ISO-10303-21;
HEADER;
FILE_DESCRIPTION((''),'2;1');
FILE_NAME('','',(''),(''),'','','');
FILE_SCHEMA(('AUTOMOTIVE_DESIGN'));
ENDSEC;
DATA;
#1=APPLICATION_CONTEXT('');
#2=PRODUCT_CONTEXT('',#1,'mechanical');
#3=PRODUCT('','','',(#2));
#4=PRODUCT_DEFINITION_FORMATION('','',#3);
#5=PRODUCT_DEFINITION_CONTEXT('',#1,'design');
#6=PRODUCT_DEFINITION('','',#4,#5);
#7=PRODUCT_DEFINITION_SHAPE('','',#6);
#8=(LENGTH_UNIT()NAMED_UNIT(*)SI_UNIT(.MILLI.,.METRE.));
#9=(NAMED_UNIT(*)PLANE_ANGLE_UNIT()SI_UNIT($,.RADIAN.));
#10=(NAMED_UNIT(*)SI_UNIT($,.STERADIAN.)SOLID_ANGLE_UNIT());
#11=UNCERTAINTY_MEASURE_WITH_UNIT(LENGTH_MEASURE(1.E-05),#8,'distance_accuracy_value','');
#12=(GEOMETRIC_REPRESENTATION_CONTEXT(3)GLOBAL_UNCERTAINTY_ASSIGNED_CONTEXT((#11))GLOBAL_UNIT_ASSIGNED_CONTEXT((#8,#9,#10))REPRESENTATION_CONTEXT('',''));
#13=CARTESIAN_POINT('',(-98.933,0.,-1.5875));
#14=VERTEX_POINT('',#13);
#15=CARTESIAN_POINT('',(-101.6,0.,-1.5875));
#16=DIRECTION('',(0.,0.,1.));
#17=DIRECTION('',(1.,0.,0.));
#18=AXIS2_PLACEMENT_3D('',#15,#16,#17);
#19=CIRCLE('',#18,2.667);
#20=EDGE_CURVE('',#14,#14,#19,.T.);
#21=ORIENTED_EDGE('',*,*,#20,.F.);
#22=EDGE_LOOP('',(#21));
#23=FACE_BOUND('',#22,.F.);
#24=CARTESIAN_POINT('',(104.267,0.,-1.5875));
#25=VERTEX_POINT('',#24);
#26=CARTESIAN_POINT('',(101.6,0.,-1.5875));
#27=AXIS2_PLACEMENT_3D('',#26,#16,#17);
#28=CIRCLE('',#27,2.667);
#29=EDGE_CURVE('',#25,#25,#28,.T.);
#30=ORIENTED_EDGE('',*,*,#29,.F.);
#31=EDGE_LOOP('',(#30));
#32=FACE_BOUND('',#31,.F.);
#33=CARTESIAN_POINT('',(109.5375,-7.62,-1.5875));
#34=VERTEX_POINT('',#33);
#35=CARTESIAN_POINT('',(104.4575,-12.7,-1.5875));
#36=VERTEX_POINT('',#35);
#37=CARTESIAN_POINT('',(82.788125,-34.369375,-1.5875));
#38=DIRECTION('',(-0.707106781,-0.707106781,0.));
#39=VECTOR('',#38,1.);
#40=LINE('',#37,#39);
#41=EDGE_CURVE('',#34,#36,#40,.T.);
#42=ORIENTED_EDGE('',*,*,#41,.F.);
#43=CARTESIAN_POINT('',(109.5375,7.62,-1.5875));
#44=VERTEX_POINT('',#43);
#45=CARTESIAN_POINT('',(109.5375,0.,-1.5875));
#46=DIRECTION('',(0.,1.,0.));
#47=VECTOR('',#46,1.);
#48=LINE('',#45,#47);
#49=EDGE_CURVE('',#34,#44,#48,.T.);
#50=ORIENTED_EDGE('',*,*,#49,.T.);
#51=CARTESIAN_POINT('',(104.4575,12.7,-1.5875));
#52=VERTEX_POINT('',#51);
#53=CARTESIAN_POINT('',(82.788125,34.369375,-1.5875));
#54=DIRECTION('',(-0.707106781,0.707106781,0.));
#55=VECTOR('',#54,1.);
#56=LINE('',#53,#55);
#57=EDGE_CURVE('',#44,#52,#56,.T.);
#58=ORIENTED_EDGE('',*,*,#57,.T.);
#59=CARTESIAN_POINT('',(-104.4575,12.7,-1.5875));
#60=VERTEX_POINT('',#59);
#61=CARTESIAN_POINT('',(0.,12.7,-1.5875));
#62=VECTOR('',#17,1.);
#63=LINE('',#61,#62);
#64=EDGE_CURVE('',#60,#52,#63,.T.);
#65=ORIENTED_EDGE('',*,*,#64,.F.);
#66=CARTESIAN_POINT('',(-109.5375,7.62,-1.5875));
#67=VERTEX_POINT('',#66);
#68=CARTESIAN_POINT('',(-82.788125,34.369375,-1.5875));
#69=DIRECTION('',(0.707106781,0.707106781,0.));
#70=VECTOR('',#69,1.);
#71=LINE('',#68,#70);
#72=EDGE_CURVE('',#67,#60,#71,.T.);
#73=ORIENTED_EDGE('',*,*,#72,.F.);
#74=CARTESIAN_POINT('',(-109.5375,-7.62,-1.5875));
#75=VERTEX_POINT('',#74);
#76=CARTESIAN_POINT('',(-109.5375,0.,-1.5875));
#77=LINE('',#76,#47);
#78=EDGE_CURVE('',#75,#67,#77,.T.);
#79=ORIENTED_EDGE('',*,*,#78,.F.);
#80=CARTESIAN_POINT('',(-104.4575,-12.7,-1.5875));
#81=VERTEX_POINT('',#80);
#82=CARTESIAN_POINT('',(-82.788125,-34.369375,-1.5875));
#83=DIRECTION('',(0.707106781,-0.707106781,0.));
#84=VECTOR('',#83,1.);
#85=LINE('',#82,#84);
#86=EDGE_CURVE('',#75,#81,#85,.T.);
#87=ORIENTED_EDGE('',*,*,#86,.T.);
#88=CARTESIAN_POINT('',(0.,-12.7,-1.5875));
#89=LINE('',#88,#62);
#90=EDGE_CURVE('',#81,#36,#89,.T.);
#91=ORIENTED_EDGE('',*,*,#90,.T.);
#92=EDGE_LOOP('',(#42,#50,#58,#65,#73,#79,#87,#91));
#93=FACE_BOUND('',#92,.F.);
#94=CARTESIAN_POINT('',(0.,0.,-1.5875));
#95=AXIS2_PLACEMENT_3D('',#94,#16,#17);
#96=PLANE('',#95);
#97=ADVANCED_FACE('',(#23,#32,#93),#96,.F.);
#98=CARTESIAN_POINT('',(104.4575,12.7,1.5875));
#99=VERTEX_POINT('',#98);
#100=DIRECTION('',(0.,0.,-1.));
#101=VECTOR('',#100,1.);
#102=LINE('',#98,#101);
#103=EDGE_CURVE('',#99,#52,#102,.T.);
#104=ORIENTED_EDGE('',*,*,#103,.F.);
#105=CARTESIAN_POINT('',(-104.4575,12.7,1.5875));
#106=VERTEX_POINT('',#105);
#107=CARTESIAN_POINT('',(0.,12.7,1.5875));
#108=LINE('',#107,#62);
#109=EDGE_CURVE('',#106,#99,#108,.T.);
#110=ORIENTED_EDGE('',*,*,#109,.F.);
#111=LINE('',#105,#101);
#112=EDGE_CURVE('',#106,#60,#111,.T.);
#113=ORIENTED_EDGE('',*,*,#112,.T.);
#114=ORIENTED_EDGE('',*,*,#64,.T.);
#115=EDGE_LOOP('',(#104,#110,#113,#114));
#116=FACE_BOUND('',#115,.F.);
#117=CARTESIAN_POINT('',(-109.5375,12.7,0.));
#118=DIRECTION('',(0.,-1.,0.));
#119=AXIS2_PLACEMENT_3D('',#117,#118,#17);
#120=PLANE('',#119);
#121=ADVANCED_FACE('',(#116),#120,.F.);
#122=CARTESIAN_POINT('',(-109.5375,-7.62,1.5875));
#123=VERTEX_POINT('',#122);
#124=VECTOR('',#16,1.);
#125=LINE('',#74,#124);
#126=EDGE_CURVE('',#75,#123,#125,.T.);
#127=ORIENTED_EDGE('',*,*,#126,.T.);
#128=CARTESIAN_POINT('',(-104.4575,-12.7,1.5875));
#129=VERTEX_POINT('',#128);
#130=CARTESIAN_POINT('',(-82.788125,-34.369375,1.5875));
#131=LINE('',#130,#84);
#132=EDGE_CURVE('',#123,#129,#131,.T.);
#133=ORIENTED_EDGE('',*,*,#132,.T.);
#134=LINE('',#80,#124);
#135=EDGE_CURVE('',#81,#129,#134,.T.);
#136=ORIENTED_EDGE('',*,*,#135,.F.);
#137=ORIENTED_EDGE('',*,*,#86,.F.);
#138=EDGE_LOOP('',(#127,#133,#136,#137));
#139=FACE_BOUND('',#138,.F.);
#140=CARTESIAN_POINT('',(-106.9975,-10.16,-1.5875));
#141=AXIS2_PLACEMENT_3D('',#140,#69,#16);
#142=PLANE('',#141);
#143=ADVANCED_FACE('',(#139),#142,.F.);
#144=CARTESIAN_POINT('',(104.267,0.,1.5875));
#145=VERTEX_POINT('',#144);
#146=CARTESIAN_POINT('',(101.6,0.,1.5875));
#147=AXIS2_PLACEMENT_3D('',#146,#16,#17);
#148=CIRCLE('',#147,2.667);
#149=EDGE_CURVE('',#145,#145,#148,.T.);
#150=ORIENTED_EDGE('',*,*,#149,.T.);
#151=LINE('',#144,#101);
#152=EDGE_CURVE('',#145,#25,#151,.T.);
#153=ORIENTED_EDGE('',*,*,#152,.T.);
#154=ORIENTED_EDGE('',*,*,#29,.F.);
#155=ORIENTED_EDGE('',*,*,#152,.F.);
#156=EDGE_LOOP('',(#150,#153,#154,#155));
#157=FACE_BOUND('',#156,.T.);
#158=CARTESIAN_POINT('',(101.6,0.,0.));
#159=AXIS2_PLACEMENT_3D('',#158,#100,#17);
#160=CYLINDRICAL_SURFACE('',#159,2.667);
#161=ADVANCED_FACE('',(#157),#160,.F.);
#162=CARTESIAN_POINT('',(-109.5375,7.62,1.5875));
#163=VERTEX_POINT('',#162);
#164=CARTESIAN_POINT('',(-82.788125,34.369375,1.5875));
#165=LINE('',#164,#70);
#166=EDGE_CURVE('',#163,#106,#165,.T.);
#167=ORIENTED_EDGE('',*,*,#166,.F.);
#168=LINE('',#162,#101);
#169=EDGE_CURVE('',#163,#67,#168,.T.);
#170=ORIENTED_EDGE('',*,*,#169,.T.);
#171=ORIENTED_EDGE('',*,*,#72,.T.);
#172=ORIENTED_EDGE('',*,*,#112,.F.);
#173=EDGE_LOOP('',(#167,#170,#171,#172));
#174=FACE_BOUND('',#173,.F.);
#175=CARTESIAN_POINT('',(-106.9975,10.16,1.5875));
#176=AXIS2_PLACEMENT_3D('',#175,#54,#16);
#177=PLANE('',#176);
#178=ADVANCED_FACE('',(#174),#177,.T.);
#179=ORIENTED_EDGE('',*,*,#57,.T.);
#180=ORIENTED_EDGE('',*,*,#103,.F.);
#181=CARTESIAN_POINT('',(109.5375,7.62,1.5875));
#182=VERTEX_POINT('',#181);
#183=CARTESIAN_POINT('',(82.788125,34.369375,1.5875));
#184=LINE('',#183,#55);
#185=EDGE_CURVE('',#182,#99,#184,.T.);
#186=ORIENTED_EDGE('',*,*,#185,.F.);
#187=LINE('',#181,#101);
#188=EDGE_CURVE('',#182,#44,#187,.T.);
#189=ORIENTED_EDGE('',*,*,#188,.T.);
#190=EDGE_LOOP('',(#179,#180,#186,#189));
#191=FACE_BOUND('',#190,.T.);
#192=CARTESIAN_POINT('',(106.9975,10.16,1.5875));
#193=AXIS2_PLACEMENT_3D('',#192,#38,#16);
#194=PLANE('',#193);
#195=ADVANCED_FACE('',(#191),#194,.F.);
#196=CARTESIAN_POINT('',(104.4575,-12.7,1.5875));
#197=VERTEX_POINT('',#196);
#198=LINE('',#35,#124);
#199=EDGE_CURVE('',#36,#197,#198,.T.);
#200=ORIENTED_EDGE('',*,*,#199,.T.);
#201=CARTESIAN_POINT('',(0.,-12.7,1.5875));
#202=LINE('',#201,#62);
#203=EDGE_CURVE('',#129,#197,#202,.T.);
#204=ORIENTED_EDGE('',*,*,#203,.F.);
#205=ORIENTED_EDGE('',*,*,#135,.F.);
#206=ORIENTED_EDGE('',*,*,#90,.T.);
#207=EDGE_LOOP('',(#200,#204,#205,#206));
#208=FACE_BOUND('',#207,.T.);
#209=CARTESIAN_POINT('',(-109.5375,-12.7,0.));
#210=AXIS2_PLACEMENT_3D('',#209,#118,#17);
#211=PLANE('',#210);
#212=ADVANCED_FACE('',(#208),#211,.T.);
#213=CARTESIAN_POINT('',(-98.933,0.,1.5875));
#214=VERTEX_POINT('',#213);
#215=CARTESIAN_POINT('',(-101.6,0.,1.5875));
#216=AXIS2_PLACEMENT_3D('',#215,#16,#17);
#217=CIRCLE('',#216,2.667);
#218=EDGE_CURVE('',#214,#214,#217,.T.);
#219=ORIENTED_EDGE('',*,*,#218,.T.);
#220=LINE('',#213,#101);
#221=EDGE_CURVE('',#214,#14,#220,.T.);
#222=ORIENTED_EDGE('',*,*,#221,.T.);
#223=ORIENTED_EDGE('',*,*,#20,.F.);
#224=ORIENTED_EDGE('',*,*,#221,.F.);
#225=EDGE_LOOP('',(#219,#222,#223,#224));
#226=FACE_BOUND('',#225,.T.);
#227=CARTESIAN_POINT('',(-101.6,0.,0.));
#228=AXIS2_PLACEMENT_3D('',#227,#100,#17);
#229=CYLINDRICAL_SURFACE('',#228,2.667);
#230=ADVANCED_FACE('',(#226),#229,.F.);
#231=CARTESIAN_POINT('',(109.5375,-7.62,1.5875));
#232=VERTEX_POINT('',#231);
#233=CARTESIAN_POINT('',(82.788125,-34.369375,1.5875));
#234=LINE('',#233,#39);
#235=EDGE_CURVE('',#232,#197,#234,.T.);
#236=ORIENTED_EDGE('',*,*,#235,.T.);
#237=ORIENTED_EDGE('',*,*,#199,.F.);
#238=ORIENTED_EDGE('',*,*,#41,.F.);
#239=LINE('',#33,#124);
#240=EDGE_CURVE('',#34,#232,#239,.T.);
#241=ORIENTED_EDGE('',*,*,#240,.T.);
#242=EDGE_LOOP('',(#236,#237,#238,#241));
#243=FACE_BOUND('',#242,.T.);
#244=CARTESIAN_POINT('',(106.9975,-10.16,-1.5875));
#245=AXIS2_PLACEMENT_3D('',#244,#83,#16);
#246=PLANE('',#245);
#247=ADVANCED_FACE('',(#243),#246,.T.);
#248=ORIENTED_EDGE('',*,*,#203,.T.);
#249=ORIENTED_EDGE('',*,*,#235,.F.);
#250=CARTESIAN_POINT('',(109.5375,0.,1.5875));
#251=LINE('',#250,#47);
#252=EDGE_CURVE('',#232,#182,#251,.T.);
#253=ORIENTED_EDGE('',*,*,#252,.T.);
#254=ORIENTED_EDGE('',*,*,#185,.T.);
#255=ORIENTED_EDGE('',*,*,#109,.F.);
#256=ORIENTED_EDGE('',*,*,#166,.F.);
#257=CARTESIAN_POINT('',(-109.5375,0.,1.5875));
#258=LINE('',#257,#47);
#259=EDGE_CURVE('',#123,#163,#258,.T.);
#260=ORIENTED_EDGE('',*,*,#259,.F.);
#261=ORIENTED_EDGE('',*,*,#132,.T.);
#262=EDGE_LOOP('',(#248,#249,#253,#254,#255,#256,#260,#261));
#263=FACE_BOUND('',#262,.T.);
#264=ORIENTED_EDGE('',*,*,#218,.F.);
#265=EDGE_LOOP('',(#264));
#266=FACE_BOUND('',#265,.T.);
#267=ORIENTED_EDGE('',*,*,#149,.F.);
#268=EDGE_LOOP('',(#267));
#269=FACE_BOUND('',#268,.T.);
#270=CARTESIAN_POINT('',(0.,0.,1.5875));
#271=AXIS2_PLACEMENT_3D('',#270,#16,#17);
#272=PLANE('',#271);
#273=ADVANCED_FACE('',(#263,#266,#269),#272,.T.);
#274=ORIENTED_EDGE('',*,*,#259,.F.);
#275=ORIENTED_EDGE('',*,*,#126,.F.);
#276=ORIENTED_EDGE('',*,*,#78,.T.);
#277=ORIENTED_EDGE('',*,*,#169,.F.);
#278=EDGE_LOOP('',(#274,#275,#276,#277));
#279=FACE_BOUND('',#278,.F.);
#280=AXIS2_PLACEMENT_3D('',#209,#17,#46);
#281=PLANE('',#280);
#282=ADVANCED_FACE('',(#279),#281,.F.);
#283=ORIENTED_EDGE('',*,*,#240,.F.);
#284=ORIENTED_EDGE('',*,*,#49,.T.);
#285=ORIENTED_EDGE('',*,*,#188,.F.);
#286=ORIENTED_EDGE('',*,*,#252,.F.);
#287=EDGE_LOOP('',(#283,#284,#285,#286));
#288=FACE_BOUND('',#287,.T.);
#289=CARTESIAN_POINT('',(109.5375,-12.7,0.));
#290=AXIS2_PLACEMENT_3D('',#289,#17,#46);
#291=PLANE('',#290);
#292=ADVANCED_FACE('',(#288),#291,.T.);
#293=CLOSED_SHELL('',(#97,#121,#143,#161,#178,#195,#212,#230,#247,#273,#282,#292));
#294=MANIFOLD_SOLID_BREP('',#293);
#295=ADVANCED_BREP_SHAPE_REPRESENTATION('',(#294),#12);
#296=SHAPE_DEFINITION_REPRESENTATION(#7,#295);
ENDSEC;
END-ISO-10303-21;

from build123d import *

# Parameters (mm, degrees)
F0_W     = 219.075
F0_H     = 25.4
F0_R     = 2.667
F1_DEPTH = 1.5875
F2_SIZE  = 5.08


with BuildPart() as f1:
    # F0 (on Top) → F1 (new body, symmetric)
    with BuildSketch(Plane.XY):
        Rectangle(F0_W, F0_H)
        with Locations((-101.6, 0)):
            Circle(F0_R, mode=Mode.SUBTRACT)
        with Locations((101.6, 0)):
            Circle(F0_R, mode=Mode.SUBTRACT)
    extrude(amount=F1_DEPTH, both=True)

    # F2
    f2_edges = [f1.edges().sort_by_distance(p)[0] for p in [
        (-109.5375, 12.7, 0),
        (-109.5375, -12.7, 0),
        (109.5375, 12.7, 0),
        (109.5375, -12.7, 0),
    ]]
    chamfer(f2_edges, length=F2_SIZE)


solid = f1.part
